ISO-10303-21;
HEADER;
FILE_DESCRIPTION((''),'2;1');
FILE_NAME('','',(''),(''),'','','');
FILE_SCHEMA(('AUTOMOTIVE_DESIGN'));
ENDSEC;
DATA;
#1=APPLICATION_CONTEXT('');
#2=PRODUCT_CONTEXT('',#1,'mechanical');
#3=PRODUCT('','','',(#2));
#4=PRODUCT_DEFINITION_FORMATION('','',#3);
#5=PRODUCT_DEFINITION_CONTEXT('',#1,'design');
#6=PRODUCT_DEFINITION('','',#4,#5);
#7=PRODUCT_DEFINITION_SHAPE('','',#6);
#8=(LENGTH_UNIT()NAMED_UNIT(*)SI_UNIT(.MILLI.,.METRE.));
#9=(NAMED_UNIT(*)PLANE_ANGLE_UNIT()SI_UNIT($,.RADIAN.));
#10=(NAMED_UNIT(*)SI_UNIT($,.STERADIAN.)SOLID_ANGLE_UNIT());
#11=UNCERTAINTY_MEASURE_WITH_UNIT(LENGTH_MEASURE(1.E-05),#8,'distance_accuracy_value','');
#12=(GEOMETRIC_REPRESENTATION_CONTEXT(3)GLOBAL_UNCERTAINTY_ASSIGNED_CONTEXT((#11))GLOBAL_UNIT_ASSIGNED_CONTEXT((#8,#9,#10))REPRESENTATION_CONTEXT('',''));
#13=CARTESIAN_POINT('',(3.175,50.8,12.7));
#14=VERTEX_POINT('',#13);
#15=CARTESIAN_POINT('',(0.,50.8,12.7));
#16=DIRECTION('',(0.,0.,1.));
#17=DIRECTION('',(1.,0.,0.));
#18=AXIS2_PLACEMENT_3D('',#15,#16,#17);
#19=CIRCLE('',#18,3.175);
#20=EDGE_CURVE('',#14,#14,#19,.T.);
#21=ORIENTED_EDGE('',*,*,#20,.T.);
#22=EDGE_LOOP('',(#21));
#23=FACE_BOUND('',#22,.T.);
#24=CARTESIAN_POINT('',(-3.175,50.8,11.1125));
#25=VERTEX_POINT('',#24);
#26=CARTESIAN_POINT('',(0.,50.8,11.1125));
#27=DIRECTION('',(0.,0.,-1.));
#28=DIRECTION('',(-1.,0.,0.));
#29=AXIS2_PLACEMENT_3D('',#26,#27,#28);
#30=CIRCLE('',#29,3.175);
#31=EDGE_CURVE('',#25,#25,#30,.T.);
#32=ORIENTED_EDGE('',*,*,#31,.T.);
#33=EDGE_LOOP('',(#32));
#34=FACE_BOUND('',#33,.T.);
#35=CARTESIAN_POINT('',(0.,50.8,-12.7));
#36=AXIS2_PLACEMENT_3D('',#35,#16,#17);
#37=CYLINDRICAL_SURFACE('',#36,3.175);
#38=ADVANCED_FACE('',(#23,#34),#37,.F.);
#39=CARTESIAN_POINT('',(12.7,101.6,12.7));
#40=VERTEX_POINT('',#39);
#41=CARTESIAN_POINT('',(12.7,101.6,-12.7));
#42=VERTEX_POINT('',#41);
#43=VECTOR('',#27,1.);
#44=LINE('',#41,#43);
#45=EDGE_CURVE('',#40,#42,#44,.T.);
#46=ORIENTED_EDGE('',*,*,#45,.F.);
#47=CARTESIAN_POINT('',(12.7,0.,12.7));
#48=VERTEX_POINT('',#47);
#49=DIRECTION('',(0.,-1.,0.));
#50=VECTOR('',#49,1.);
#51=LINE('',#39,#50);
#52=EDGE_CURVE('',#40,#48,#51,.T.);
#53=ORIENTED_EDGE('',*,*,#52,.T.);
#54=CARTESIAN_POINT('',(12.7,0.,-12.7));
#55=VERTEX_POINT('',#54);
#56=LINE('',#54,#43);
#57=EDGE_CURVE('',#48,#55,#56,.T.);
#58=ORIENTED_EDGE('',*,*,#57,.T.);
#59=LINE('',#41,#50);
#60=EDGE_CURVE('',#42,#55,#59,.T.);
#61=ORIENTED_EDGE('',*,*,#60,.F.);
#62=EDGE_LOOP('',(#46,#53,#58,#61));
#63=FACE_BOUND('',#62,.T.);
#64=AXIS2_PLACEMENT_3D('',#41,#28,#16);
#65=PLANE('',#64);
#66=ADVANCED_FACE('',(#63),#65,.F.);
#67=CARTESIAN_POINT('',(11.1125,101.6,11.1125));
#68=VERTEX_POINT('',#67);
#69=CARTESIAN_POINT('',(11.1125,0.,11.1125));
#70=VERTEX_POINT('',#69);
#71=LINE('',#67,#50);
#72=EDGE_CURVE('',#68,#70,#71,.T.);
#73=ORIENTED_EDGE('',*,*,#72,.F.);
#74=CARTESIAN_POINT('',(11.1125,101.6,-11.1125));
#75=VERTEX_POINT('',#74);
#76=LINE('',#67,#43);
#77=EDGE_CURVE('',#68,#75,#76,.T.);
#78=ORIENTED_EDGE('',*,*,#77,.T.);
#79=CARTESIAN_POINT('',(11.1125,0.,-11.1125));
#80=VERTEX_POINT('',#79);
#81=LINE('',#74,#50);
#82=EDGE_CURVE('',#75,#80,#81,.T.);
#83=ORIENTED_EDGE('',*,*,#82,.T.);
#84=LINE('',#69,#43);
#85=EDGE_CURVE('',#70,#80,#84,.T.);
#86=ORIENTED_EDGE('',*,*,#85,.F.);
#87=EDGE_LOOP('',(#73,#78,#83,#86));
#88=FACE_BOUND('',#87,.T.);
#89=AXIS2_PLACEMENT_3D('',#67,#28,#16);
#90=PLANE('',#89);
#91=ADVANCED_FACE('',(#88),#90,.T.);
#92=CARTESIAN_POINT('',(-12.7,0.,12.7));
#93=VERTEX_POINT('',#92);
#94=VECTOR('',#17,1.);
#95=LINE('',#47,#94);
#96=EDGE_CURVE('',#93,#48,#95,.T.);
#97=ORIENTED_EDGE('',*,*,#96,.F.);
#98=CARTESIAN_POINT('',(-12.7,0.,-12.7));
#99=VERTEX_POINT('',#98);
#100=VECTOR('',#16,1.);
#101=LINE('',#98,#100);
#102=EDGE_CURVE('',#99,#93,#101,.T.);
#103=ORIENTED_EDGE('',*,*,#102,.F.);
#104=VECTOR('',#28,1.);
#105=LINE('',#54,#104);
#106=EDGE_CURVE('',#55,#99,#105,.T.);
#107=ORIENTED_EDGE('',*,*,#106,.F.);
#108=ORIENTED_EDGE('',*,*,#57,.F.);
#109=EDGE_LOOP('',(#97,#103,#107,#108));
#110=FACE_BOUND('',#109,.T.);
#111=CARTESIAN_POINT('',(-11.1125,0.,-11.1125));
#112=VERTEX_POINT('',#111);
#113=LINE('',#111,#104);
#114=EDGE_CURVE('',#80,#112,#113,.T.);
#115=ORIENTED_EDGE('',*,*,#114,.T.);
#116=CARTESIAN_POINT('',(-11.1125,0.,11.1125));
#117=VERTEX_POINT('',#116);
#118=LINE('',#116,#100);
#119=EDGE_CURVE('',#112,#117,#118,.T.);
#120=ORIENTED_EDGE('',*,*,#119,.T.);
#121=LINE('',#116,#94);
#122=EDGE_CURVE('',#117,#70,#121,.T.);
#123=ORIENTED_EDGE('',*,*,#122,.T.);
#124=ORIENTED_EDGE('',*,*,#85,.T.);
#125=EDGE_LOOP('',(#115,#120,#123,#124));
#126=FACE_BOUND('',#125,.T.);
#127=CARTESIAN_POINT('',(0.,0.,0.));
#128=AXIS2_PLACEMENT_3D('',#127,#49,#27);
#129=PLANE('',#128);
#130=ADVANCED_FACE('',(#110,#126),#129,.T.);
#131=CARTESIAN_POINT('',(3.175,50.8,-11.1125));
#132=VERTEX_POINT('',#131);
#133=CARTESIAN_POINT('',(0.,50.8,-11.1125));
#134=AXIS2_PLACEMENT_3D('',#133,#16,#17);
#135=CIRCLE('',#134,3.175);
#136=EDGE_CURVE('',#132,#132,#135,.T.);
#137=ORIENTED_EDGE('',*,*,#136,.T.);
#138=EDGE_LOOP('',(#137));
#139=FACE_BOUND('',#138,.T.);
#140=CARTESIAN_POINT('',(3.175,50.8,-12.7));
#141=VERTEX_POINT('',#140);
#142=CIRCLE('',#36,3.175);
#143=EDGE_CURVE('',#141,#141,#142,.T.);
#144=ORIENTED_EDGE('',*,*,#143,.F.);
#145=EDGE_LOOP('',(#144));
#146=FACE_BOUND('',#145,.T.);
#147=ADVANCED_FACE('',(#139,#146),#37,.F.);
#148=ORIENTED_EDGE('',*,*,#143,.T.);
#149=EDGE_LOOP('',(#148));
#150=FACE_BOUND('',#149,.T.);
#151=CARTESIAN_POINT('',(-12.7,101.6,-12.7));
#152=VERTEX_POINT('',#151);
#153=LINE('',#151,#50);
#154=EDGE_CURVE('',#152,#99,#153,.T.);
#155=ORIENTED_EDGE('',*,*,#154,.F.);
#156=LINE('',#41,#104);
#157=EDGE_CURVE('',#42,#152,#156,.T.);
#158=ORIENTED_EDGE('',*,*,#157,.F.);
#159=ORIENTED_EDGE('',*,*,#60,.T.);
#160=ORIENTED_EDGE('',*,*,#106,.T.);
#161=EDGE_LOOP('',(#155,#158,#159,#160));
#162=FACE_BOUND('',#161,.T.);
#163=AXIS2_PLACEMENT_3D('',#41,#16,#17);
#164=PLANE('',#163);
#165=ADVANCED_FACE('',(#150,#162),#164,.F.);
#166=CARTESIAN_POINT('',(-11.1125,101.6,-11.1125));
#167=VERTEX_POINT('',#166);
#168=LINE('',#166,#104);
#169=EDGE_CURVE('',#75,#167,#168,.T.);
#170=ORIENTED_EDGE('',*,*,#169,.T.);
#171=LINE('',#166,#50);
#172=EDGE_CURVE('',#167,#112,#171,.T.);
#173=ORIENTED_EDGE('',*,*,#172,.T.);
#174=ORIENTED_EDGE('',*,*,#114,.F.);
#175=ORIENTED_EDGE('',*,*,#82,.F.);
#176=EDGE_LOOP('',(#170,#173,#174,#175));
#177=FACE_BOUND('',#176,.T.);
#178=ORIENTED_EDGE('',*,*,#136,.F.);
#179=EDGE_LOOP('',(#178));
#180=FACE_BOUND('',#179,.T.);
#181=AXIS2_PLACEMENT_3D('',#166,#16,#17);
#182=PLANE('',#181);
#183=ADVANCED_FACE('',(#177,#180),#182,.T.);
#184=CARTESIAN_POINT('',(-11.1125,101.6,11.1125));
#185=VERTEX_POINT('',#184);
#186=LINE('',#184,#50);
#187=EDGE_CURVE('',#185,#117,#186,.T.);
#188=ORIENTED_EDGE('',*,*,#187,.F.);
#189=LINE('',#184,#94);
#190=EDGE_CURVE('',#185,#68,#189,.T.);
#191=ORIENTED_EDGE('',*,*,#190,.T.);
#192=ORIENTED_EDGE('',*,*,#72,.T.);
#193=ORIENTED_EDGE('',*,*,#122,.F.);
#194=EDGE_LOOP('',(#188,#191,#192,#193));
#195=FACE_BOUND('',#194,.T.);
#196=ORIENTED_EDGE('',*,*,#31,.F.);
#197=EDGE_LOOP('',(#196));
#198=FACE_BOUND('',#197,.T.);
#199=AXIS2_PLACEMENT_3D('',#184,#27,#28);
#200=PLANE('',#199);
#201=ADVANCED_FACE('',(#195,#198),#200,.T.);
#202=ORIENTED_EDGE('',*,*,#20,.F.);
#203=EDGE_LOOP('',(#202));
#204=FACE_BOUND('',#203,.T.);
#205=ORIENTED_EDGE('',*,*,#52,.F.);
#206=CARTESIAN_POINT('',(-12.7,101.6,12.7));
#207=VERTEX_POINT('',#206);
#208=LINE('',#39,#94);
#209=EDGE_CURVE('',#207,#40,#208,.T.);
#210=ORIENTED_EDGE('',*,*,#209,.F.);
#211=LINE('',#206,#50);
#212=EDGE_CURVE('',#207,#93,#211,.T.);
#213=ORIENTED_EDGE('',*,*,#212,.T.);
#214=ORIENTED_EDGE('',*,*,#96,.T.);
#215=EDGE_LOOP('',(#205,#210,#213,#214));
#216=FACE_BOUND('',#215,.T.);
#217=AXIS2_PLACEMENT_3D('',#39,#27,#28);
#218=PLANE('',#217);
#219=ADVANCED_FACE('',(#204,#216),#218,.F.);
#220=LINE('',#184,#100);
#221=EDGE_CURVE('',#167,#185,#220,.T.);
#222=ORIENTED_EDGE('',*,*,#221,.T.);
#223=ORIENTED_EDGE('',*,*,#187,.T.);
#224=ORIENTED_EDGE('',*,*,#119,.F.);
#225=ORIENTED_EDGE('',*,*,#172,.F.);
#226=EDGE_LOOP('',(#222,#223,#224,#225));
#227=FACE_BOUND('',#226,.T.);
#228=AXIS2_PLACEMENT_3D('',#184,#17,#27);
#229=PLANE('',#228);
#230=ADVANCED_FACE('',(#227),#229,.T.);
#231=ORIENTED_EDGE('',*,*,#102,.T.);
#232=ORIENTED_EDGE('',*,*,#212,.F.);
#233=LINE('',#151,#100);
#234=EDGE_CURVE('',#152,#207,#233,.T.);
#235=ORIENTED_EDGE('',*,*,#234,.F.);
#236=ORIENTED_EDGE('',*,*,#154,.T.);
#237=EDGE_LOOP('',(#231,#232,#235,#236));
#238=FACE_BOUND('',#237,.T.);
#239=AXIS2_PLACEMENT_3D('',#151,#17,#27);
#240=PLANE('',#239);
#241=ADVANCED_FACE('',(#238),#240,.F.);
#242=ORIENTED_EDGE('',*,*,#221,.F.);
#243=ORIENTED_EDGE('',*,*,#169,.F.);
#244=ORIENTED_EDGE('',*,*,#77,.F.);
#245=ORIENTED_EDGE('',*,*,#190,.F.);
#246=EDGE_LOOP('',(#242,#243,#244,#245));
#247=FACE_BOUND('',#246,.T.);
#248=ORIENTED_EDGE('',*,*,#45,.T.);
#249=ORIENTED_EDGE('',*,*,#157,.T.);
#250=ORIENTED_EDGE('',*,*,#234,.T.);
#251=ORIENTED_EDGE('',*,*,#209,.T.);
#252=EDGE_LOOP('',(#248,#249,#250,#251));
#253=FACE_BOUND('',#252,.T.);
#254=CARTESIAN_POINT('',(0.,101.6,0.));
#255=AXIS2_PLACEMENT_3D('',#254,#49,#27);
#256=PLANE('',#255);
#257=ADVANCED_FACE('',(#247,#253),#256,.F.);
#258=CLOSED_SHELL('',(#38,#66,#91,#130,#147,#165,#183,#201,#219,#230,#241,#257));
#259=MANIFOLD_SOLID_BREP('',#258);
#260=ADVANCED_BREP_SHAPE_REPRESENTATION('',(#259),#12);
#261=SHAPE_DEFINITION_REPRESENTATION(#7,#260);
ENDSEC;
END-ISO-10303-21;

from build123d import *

# Parameters (mm, degrees)
SKETCH1_W           = 25.4
SKETCH1_H           = 25.4
SKETCH1_W_2         = 22.225
SKETCH1_H_2         = 22.225
BOSS_EXTRUDE1_DEPTH = 101.6
SKETCH2_R           = 3.175
CUT_EXTRUDE1_DEPTH  = 106.494123059


with BuildPart() as part:
    # Sketch1 → Boss-Extrude1 (new body)
    with BuildSketch(Plane(origin=(0, 0, 0), x_dir=(1, 0, 0), z_dir=(0, 1, 0))):
        Rectangle(SKETCH1_W, SKETCH1_H)
        Rectangle(SKETCH1_W_2, SKETCH1_H_2, mode=Mode.SUBTRACT)
    extrude(amount=BOSS_EXTRUDE1_DEPTH)

    # Sketch2 → Cut-Extrude1 (cut, through all)
    with BuildSketch(Plane.XY.offset(12.7)):
        with Locations((0, 50.8)):
            Circle(SKETCH2_R)
    extrude(amount=-CUT_EXTRUDE1_DEPTH, mode=Mode.SUBTRACT)


solid = part.part
